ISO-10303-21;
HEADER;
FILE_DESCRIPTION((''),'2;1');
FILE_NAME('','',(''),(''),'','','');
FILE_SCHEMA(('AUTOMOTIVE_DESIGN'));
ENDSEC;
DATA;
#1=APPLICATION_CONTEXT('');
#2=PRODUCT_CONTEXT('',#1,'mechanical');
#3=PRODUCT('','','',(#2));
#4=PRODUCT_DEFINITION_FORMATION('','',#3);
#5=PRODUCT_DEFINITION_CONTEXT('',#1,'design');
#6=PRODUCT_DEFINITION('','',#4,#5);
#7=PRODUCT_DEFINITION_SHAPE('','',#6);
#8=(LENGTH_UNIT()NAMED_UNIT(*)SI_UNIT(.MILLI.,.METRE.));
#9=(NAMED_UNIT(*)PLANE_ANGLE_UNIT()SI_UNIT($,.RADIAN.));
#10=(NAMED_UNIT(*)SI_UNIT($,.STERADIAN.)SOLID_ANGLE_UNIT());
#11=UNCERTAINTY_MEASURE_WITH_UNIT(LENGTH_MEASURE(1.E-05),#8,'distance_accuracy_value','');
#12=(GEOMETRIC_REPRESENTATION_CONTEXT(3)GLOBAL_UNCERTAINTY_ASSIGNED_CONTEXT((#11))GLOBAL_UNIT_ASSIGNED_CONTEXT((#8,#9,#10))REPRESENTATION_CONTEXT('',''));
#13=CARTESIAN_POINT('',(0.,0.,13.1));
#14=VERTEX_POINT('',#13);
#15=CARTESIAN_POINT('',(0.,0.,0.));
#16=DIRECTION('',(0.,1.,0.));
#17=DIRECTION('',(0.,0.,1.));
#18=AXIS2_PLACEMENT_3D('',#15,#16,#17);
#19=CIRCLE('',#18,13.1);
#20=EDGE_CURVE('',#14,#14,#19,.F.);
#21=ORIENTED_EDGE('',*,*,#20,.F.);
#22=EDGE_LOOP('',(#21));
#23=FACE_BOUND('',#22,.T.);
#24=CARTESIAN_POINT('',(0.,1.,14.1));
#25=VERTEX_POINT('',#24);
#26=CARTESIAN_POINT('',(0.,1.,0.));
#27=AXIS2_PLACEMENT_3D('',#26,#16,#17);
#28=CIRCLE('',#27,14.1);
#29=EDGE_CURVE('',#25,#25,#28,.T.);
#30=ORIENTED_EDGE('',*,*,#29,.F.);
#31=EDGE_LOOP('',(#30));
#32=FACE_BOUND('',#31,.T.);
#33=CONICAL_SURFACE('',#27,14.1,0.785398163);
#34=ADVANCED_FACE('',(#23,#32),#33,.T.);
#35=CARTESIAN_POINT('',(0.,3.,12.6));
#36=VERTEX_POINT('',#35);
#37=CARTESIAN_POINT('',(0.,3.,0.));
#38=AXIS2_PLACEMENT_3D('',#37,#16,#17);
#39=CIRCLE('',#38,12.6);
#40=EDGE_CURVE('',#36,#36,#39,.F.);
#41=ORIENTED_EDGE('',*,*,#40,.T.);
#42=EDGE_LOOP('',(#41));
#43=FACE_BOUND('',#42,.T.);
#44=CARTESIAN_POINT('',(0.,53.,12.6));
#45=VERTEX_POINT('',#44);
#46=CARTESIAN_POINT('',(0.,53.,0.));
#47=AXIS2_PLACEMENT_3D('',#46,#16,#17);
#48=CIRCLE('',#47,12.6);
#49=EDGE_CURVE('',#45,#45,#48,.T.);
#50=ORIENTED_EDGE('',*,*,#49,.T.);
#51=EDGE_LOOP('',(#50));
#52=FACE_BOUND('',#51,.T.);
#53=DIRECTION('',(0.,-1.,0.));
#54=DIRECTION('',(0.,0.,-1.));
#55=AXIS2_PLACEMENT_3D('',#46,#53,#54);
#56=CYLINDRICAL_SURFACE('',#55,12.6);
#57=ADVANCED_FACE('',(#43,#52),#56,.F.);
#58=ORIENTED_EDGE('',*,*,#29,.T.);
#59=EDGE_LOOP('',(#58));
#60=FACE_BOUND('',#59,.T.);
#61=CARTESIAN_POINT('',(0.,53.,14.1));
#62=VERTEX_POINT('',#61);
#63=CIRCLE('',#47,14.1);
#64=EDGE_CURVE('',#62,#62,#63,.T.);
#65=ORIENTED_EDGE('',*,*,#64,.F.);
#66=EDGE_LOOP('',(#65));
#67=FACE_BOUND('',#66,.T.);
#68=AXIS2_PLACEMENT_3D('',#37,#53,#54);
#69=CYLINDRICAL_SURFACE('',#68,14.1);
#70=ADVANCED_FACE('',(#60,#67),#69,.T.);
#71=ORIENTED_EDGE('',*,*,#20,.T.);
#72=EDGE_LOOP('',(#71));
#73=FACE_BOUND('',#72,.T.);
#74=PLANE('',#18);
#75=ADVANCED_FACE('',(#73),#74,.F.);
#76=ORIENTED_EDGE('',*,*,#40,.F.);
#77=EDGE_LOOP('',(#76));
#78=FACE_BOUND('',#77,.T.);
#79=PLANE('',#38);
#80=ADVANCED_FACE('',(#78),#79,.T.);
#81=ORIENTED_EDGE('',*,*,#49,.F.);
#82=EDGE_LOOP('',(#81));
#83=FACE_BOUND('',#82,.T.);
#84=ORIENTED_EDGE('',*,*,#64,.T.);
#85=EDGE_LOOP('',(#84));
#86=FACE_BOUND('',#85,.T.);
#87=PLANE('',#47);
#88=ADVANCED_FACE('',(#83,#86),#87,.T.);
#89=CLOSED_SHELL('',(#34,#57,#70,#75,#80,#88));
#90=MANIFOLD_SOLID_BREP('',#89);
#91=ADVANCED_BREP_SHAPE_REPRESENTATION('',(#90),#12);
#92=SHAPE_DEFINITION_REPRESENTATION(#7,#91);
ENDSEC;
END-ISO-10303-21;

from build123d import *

# Parameters (mm, degrees)
SKETCH1_R           = 14.1
BOSS_EXTRUDE1_DEPTH = 3
SKETCH2_R           = 14.1
SKETCH2_R_2         = 12.6
BOSS_EXTRUDE2_DEPTH = 50
CHAMFER1_SIZE       = 1


with BuildPart() as part:
    # Sketch1 → Boss-Extrude1 (new body)
    with BuildSketch(Plane(origin=(0, 0, 0), x_dir=(1, 0, 0), z_dir=(0, 1, 0))):
        with Locations(Location((0, 0, 0), (0, 0, 270))):
            Circle(SKETCH1_R)
    extrude(amount=BOSS_EXTRUDE1_DEPTH)

    # Sketch2 → Boss-Extrude2 (add)
    with BuildSketch(Plane(origin=(0, 3, 0), x_dir=(1, 0, 0), z_dir=(0, 1, 0))):
        with Locations(Location((0, 0, 0), (0, 0, 270))):
            Circle(SKETCH2_R)
        with Locations(Location((0, 0, 0), (0, 0, 270))):
            Circle(SKETCH2_R_2, mode=Mode.SUBTRACT)
    extrude(amount=BOSS_EXTRUDE2_DEPTH)

    # Chamfer1
    chamfer1_edges = [part.edges().sort_by_distance(p)[0] for p in [
        (0, 0, -14.1),
    ]]
    chamfer(chamfer1_edges, length=CHAMFER1_SIZE)


solid = part.part
